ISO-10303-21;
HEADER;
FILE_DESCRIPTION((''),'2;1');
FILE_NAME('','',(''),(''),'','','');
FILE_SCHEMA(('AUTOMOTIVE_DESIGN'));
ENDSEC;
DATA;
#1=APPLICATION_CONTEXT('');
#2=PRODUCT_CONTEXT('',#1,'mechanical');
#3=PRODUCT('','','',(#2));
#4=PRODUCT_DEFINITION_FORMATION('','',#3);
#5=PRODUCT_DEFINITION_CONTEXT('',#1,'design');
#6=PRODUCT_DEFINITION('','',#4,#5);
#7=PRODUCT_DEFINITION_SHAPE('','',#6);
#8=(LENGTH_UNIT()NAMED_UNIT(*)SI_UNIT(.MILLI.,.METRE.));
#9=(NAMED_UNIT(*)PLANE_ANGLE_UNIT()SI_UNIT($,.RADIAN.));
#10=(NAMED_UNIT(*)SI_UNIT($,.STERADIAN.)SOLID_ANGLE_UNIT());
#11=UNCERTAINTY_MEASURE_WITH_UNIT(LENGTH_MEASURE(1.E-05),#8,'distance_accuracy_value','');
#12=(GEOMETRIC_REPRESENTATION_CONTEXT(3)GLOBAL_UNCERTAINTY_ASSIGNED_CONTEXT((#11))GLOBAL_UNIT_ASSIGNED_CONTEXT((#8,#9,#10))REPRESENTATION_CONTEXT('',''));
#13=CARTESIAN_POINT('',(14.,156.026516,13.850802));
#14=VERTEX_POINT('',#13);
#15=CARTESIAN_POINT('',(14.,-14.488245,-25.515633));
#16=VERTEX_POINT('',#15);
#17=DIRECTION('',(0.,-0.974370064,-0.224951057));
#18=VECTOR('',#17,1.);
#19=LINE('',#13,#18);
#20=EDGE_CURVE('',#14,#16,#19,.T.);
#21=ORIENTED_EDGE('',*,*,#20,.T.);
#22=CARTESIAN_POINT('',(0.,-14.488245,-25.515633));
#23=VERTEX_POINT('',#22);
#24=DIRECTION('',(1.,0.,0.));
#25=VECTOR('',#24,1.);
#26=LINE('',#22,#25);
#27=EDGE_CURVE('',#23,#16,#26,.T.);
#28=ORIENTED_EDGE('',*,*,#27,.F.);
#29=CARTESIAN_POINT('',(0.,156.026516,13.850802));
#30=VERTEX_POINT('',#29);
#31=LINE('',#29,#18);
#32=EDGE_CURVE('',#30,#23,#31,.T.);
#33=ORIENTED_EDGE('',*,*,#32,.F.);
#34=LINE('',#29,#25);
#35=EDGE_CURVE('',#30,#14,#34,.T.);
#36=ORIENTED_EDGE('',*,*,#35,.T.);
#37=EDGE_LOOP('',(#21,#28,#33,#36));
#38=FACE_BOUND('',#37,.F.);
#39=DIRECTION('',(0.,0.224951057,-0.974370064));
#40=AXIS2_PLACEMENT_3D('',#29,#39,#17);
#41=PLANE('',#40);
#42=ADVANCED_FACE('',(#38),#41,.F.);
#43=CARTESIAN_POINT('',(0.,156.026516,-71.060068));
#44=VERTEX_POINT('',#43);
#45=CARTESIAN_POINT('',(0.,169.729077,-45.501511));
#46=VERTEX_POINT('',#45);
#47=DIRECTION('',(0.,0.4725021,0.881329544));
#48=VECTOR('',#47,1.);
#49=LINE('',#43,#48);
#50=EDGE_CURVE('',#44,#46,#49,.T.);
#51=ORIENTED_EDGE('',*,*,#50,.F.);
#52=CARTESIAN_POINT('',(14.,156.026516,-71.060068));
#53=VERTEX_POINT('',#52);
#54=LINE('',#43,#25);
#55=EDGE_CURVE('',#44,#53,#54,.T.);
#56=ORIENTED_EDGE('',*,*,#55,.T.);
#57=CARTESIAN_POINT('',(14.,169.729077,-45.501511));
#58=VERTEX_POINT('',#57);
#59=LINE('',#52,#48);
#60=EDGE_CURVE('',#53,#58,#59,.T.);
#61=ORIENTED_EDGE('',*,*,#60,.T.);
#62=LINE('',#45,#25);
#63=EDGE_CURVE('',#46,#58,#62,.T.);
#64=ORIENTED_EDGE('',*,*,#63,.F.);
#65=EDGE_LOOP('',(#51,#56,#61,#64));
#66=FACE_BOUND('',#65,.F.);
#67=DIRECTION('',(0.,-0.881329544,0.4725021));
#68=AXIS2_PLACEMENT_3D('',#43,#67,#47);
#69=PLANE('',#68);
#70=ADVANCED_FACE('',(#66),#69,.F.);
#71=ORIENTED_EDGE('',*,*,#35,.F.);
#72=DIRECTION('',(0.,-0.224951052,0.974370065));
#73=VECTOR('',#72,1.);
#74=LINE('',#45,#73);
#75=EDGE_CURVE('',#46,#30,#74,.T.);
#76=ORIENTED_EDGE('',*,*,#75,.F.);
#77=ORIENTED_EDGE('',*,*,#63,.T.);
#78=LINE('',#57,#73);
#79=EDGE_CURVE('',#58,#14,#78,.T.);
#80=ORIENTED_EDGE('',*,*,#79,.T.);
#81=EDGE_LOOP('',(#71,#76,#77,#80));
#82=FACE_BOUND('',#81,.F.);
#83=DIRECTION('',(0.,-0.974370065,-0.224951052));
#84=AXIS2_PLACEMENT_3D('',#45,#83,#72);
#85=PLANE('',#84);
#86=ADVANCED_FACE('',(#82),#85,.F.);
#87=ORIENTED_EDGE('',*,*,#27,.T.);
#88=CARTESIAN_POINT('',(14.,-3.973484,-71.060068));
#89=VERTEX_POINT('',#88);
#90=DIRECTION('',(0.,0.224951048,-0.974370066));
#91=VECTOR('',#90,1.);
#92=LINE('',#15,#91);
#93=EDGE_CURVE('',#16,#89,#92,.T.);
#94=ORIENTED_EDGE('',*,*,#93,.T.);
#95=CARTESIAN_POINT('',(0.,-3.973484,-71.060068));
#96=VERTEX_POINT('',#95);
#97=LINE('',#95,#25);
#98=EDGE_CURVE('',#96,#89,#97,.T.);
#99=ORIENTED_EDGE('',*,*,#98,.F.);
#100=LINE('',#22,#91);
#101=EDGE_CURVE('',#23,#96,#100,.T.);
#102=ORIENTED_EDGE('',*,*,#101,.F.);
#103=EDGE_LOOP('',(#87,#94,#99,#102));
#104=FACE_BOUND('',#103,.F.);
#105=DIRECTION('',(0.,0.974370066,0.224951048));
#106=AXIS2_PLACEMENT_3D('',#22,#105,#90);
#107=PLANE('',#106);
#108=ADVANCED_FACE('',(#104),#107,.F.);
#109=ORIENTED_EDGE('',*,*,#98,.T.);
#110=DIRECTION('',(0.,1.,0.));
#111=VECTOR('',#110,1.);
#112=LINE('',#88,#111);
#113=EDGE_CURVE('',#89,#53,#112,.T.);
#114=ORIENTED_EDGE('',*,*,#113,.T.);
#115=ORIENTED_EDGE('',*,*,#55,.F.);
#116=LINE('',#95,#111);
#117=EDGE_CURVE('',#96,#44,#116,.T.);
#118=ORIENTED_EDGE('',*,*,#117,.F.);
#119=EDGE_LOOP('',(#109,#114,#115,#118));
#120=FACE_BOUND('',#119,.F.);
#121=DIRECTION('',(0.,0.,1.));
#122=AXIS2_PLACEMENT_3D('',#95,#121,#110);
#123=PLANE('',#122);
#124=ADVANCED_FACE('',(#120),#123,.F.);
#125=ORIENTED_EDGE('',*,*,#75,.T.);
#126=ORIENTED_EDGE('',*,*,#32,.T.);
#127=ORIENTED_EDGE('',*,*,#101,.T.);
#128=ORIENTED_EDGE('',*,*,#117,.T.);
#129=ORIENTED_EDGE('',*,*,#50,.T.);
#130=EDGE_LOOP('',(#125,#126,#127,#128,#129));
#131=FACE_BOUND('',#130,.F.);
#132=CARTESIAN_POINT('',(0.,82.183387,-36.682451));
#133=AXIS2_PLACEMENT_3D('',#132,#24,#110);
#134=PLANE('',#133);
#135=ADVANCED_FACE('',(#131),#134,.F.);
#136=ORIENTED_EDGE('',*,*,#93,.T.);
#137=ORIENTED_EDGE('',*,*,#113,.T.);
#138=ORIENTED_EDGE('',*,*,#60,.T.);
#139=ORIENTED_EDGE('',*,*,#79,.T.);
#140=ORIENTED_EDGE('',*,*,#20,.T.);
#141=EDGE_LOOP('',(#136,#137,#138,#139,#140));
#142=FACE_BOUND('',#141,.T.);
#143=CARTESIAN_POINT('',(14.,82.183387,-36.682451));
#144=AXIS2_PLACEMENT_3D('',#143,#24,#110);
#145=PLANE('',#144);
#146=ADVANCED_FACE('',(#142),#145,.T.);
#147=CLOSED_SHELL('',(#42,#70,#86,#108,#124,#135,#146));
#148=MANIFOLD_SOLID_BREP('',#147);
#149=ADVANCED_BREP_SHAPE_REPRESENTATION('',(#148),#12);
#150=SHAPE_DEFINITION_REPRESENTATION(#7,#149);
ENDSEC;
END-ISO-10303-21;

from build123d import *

# Parameters (mm, degrees)
PAD_DEPTH = 14


with BuildPart() as part:
    # Sketch → Pad (new body)
    with BuildSketch(Plane.YZ):
        Polygon((-3.973484, -71.060068), (156.026516, -71.060068), (169.729077, -45.501511), (156.026516, 13.850802), (-14.488245, -25.515633), align=None)
    extrude(amount=PAD_DEPTH)


solid = part.part
